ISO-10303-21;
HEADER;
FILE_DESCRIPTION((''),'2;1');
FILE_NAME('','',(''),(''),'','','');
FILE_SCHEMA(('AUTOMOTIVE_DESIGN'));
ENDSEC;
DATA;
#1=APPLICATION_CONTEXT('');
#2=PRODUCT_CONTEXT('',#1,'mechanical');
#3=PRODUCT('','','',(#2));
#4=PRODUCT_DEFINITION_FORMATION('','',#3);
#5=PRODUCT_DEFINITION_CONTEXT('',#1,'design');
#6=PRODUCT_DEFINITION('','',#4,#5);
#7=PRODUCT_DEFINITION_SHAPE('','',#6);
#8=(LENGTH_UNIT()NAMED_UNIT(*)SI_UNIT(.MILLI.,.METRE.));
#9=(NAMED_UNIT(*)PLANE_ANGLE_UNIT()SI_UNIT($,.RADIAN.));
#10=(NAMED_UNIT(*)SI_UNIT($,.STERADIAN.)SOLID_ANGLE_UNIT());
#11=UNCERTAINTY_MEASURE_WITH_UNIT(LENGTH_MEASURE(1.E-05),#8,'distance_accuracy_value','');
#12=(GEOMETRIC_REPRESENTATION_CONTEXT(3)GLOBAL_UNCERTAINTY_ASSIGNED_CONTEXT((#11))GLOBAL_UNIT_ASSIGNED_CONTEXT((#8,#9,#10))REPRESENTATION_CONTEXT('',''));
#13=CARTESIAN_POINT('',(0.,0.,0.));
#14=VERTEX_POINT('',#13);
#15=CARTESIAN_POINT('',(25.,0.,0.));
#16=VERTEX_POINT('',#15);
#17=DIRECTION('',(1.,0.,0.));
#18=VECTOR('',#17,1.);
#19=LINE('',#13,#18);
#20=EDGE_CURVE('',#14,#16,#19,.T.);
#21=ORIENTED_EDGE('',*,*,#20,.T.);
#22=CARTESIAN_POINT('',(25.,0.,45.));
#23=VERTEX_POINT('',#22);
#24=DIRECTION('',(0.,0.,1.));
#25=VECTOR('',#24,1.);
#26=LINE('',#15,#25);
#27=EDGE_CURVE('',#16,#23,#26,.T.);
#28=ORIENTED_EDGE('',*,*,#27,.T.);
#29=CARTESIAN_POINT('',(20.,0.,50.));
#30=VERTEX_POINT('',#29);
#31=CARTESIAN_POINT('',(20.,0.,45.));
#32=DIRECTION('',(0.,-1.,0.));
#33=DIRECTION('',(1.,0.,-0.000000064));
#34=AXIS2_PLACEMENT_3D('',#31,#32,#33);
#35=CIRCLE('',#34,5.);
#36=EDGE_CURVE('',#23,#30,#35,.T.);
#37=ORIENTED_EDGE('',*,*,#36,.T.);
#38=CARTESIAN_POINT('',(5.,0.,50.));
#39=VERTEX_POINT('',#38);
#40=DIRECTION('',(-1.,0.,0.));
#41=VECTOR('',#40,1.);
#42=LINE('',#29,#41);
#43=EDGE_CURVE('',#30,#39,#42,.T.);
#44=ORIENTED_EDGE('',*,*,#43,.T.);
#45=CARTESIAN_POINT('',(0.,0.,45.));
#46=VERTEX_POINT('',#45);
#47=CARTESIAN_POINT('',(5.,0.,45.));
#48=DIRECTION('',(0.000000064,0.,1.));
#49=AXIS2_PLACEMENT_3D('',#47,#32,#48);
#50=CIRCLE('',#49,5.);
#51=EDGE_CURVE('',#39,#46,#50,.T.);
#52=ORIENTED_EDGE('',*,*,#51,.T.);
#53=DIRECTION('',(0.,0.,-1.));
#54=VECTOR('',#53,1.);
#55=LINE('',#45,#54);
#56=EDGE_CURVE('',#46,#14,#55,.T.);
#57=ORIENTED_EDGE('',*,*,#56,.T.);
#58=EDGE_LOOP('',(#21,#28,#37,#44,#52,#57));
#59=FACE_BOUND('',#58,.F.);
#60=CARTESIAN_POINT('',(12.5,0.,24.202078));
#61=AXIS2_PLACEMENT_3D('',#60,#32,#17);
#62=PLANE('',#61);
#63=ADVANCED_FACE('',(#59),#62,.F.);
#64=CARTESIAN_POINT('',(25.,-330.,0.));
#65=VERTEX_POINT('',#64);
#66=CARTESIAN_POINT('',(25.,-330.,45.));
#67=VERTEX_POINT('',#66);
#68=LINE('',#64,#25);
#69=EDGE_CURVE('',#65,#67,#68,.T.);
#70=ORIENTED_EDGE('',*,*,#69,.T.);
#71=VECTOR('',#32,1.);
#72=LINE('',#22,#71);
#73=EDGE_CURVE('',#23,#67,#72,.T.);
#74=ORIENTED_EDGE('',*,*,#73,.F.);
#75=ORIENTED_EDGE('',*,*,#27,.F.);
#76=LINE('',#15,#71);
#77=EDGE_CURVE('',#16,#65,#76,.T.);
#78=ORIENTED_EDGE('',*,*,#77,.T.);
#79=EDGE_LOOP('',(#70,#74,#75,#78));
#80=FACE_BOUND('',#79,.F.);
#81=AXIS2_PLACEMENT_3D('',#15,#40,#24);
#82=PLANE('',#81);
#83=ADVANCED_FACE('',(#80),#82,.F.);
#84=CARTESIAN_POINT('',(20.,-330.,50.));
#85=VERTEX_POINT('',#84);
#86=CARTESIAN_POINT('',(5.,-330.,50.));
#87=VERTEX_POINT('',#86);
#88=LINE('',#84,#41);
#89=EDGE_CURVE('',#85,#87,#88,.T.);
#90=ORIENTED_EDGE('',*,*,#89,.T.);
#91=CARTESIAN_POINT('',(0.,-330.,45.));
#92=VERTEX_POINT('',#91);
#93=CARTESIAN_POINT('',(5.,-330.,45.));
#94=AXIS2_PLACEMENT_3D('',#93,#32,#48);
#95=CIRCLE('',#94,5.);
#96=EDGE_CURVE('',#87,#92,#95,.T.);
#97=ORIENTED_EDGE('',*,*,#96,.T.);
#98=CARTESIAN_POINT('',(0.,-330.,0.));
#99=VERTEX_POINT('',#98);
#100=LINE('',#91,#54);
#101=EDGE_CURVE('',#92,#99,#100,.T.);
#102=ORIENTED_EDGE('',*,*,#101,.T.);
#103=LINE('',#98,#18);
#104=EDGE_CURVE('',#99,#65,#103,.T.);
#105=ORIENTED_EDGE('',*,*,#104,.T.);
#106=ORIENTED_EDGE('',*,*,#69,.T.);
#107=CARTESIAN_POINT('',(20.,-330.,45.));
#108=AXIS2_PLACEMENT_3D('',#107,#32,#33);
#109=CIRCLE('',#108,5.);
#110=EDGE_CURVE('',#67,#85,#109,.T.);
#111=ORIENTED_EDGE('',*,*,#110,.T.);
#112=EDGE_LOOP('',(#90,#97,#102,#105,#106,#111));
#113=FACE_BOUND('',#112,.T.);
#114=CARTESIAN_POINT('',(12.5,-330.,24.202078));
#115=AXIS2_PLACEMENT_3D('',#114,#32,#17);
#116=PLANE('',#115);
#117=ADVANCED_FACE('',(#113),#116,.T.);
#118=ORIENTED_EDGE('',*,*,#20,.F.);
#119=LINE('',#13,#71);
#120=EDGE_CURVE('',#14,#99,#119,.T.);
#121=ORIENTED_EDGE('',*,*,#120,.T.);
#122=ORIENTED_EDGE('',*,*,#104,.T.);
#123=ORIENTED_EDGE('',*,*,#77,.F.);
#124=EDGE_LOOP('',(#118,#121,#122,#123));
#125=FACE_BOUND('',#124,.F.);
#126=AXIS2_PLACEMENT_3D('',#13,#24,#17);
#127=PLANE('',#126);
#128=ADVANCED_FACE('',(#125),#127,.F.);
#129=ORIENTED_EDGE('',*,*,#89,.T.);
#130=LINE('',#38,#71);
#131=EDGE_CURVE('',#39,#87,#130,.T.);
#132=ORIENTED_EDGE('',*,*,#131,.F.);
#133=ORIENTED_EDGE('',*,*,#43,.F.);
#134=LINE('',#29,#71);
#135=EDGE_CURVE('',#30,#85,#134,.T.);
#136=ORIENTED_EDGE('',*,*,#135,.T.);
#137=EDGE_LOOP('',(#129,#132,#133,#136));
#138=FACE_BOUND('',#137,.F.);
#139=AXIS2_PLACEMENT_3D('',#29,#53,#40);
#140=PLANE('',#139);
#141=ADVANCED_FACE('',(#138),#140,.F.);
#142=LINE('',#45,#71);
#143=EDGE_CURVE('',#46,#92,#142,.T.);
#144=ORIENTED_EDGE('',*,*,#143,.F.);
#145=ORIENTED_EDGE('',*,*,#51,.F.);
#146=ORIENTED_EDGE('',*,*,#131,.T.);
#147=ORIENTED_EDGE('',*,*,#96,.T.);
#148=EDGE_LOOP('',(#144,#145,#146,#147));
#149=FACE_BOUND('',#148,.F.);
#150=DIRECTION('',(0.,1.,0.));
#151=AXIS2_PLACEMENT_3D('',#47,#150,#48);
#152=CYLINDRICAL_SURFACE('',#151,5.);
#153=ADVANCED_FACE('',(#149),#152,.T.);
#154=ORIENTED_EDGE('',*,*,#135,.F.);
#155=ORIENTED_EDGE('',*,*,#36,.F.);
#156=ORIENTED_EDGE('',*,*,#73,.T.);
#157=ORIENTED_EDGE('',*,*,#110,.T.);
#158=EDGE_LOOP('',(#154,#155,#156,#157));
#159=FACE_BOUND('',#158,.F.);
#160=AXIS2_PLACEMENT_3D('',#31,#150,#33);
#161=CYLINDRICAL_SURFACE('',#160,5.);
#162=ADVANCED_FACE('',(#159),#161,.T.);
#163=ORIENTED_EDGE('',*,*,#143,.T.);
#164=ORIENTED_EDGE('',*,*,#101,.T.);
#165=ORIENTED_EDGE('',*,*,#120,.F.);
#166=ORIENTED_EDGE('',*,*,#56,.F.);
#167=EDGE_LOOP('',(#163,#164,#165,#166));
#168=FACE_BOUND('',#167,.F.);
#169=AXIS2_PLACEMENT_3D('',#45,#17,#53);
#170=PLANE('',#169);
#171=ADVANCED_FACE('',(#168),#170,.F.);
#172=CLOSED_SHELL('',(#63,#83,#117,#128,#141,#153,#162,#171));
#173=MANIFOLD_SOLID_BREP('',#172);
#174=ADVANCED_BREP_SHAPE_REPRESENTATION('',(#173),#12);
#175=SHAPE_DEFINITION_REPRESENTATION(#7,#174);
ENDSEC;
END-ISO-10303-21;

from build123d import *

# Parameters (mm, degrees)
F1_DEPTH = 330


with BuildPart() as f1:
    # F0 (on Front) → F1 (new body)
    with BuildSketch(Plane.XZ):
        with BuildLine():
            Line((0, 45), (0, 0))
            Line((0, 0), (25, 0))
            Line((25, 0), (25, 45))
            ThreePointArc((25, 45), (23.535534, 48.535534), (20, 50))
            Line((20, 50), (5, 50))
            ThreePointArc((5, 50), (1.464466, 48.535534), (0, 45))
        make_face()
    extrude(amount=F1_DEPTH)


solid = f1.part
